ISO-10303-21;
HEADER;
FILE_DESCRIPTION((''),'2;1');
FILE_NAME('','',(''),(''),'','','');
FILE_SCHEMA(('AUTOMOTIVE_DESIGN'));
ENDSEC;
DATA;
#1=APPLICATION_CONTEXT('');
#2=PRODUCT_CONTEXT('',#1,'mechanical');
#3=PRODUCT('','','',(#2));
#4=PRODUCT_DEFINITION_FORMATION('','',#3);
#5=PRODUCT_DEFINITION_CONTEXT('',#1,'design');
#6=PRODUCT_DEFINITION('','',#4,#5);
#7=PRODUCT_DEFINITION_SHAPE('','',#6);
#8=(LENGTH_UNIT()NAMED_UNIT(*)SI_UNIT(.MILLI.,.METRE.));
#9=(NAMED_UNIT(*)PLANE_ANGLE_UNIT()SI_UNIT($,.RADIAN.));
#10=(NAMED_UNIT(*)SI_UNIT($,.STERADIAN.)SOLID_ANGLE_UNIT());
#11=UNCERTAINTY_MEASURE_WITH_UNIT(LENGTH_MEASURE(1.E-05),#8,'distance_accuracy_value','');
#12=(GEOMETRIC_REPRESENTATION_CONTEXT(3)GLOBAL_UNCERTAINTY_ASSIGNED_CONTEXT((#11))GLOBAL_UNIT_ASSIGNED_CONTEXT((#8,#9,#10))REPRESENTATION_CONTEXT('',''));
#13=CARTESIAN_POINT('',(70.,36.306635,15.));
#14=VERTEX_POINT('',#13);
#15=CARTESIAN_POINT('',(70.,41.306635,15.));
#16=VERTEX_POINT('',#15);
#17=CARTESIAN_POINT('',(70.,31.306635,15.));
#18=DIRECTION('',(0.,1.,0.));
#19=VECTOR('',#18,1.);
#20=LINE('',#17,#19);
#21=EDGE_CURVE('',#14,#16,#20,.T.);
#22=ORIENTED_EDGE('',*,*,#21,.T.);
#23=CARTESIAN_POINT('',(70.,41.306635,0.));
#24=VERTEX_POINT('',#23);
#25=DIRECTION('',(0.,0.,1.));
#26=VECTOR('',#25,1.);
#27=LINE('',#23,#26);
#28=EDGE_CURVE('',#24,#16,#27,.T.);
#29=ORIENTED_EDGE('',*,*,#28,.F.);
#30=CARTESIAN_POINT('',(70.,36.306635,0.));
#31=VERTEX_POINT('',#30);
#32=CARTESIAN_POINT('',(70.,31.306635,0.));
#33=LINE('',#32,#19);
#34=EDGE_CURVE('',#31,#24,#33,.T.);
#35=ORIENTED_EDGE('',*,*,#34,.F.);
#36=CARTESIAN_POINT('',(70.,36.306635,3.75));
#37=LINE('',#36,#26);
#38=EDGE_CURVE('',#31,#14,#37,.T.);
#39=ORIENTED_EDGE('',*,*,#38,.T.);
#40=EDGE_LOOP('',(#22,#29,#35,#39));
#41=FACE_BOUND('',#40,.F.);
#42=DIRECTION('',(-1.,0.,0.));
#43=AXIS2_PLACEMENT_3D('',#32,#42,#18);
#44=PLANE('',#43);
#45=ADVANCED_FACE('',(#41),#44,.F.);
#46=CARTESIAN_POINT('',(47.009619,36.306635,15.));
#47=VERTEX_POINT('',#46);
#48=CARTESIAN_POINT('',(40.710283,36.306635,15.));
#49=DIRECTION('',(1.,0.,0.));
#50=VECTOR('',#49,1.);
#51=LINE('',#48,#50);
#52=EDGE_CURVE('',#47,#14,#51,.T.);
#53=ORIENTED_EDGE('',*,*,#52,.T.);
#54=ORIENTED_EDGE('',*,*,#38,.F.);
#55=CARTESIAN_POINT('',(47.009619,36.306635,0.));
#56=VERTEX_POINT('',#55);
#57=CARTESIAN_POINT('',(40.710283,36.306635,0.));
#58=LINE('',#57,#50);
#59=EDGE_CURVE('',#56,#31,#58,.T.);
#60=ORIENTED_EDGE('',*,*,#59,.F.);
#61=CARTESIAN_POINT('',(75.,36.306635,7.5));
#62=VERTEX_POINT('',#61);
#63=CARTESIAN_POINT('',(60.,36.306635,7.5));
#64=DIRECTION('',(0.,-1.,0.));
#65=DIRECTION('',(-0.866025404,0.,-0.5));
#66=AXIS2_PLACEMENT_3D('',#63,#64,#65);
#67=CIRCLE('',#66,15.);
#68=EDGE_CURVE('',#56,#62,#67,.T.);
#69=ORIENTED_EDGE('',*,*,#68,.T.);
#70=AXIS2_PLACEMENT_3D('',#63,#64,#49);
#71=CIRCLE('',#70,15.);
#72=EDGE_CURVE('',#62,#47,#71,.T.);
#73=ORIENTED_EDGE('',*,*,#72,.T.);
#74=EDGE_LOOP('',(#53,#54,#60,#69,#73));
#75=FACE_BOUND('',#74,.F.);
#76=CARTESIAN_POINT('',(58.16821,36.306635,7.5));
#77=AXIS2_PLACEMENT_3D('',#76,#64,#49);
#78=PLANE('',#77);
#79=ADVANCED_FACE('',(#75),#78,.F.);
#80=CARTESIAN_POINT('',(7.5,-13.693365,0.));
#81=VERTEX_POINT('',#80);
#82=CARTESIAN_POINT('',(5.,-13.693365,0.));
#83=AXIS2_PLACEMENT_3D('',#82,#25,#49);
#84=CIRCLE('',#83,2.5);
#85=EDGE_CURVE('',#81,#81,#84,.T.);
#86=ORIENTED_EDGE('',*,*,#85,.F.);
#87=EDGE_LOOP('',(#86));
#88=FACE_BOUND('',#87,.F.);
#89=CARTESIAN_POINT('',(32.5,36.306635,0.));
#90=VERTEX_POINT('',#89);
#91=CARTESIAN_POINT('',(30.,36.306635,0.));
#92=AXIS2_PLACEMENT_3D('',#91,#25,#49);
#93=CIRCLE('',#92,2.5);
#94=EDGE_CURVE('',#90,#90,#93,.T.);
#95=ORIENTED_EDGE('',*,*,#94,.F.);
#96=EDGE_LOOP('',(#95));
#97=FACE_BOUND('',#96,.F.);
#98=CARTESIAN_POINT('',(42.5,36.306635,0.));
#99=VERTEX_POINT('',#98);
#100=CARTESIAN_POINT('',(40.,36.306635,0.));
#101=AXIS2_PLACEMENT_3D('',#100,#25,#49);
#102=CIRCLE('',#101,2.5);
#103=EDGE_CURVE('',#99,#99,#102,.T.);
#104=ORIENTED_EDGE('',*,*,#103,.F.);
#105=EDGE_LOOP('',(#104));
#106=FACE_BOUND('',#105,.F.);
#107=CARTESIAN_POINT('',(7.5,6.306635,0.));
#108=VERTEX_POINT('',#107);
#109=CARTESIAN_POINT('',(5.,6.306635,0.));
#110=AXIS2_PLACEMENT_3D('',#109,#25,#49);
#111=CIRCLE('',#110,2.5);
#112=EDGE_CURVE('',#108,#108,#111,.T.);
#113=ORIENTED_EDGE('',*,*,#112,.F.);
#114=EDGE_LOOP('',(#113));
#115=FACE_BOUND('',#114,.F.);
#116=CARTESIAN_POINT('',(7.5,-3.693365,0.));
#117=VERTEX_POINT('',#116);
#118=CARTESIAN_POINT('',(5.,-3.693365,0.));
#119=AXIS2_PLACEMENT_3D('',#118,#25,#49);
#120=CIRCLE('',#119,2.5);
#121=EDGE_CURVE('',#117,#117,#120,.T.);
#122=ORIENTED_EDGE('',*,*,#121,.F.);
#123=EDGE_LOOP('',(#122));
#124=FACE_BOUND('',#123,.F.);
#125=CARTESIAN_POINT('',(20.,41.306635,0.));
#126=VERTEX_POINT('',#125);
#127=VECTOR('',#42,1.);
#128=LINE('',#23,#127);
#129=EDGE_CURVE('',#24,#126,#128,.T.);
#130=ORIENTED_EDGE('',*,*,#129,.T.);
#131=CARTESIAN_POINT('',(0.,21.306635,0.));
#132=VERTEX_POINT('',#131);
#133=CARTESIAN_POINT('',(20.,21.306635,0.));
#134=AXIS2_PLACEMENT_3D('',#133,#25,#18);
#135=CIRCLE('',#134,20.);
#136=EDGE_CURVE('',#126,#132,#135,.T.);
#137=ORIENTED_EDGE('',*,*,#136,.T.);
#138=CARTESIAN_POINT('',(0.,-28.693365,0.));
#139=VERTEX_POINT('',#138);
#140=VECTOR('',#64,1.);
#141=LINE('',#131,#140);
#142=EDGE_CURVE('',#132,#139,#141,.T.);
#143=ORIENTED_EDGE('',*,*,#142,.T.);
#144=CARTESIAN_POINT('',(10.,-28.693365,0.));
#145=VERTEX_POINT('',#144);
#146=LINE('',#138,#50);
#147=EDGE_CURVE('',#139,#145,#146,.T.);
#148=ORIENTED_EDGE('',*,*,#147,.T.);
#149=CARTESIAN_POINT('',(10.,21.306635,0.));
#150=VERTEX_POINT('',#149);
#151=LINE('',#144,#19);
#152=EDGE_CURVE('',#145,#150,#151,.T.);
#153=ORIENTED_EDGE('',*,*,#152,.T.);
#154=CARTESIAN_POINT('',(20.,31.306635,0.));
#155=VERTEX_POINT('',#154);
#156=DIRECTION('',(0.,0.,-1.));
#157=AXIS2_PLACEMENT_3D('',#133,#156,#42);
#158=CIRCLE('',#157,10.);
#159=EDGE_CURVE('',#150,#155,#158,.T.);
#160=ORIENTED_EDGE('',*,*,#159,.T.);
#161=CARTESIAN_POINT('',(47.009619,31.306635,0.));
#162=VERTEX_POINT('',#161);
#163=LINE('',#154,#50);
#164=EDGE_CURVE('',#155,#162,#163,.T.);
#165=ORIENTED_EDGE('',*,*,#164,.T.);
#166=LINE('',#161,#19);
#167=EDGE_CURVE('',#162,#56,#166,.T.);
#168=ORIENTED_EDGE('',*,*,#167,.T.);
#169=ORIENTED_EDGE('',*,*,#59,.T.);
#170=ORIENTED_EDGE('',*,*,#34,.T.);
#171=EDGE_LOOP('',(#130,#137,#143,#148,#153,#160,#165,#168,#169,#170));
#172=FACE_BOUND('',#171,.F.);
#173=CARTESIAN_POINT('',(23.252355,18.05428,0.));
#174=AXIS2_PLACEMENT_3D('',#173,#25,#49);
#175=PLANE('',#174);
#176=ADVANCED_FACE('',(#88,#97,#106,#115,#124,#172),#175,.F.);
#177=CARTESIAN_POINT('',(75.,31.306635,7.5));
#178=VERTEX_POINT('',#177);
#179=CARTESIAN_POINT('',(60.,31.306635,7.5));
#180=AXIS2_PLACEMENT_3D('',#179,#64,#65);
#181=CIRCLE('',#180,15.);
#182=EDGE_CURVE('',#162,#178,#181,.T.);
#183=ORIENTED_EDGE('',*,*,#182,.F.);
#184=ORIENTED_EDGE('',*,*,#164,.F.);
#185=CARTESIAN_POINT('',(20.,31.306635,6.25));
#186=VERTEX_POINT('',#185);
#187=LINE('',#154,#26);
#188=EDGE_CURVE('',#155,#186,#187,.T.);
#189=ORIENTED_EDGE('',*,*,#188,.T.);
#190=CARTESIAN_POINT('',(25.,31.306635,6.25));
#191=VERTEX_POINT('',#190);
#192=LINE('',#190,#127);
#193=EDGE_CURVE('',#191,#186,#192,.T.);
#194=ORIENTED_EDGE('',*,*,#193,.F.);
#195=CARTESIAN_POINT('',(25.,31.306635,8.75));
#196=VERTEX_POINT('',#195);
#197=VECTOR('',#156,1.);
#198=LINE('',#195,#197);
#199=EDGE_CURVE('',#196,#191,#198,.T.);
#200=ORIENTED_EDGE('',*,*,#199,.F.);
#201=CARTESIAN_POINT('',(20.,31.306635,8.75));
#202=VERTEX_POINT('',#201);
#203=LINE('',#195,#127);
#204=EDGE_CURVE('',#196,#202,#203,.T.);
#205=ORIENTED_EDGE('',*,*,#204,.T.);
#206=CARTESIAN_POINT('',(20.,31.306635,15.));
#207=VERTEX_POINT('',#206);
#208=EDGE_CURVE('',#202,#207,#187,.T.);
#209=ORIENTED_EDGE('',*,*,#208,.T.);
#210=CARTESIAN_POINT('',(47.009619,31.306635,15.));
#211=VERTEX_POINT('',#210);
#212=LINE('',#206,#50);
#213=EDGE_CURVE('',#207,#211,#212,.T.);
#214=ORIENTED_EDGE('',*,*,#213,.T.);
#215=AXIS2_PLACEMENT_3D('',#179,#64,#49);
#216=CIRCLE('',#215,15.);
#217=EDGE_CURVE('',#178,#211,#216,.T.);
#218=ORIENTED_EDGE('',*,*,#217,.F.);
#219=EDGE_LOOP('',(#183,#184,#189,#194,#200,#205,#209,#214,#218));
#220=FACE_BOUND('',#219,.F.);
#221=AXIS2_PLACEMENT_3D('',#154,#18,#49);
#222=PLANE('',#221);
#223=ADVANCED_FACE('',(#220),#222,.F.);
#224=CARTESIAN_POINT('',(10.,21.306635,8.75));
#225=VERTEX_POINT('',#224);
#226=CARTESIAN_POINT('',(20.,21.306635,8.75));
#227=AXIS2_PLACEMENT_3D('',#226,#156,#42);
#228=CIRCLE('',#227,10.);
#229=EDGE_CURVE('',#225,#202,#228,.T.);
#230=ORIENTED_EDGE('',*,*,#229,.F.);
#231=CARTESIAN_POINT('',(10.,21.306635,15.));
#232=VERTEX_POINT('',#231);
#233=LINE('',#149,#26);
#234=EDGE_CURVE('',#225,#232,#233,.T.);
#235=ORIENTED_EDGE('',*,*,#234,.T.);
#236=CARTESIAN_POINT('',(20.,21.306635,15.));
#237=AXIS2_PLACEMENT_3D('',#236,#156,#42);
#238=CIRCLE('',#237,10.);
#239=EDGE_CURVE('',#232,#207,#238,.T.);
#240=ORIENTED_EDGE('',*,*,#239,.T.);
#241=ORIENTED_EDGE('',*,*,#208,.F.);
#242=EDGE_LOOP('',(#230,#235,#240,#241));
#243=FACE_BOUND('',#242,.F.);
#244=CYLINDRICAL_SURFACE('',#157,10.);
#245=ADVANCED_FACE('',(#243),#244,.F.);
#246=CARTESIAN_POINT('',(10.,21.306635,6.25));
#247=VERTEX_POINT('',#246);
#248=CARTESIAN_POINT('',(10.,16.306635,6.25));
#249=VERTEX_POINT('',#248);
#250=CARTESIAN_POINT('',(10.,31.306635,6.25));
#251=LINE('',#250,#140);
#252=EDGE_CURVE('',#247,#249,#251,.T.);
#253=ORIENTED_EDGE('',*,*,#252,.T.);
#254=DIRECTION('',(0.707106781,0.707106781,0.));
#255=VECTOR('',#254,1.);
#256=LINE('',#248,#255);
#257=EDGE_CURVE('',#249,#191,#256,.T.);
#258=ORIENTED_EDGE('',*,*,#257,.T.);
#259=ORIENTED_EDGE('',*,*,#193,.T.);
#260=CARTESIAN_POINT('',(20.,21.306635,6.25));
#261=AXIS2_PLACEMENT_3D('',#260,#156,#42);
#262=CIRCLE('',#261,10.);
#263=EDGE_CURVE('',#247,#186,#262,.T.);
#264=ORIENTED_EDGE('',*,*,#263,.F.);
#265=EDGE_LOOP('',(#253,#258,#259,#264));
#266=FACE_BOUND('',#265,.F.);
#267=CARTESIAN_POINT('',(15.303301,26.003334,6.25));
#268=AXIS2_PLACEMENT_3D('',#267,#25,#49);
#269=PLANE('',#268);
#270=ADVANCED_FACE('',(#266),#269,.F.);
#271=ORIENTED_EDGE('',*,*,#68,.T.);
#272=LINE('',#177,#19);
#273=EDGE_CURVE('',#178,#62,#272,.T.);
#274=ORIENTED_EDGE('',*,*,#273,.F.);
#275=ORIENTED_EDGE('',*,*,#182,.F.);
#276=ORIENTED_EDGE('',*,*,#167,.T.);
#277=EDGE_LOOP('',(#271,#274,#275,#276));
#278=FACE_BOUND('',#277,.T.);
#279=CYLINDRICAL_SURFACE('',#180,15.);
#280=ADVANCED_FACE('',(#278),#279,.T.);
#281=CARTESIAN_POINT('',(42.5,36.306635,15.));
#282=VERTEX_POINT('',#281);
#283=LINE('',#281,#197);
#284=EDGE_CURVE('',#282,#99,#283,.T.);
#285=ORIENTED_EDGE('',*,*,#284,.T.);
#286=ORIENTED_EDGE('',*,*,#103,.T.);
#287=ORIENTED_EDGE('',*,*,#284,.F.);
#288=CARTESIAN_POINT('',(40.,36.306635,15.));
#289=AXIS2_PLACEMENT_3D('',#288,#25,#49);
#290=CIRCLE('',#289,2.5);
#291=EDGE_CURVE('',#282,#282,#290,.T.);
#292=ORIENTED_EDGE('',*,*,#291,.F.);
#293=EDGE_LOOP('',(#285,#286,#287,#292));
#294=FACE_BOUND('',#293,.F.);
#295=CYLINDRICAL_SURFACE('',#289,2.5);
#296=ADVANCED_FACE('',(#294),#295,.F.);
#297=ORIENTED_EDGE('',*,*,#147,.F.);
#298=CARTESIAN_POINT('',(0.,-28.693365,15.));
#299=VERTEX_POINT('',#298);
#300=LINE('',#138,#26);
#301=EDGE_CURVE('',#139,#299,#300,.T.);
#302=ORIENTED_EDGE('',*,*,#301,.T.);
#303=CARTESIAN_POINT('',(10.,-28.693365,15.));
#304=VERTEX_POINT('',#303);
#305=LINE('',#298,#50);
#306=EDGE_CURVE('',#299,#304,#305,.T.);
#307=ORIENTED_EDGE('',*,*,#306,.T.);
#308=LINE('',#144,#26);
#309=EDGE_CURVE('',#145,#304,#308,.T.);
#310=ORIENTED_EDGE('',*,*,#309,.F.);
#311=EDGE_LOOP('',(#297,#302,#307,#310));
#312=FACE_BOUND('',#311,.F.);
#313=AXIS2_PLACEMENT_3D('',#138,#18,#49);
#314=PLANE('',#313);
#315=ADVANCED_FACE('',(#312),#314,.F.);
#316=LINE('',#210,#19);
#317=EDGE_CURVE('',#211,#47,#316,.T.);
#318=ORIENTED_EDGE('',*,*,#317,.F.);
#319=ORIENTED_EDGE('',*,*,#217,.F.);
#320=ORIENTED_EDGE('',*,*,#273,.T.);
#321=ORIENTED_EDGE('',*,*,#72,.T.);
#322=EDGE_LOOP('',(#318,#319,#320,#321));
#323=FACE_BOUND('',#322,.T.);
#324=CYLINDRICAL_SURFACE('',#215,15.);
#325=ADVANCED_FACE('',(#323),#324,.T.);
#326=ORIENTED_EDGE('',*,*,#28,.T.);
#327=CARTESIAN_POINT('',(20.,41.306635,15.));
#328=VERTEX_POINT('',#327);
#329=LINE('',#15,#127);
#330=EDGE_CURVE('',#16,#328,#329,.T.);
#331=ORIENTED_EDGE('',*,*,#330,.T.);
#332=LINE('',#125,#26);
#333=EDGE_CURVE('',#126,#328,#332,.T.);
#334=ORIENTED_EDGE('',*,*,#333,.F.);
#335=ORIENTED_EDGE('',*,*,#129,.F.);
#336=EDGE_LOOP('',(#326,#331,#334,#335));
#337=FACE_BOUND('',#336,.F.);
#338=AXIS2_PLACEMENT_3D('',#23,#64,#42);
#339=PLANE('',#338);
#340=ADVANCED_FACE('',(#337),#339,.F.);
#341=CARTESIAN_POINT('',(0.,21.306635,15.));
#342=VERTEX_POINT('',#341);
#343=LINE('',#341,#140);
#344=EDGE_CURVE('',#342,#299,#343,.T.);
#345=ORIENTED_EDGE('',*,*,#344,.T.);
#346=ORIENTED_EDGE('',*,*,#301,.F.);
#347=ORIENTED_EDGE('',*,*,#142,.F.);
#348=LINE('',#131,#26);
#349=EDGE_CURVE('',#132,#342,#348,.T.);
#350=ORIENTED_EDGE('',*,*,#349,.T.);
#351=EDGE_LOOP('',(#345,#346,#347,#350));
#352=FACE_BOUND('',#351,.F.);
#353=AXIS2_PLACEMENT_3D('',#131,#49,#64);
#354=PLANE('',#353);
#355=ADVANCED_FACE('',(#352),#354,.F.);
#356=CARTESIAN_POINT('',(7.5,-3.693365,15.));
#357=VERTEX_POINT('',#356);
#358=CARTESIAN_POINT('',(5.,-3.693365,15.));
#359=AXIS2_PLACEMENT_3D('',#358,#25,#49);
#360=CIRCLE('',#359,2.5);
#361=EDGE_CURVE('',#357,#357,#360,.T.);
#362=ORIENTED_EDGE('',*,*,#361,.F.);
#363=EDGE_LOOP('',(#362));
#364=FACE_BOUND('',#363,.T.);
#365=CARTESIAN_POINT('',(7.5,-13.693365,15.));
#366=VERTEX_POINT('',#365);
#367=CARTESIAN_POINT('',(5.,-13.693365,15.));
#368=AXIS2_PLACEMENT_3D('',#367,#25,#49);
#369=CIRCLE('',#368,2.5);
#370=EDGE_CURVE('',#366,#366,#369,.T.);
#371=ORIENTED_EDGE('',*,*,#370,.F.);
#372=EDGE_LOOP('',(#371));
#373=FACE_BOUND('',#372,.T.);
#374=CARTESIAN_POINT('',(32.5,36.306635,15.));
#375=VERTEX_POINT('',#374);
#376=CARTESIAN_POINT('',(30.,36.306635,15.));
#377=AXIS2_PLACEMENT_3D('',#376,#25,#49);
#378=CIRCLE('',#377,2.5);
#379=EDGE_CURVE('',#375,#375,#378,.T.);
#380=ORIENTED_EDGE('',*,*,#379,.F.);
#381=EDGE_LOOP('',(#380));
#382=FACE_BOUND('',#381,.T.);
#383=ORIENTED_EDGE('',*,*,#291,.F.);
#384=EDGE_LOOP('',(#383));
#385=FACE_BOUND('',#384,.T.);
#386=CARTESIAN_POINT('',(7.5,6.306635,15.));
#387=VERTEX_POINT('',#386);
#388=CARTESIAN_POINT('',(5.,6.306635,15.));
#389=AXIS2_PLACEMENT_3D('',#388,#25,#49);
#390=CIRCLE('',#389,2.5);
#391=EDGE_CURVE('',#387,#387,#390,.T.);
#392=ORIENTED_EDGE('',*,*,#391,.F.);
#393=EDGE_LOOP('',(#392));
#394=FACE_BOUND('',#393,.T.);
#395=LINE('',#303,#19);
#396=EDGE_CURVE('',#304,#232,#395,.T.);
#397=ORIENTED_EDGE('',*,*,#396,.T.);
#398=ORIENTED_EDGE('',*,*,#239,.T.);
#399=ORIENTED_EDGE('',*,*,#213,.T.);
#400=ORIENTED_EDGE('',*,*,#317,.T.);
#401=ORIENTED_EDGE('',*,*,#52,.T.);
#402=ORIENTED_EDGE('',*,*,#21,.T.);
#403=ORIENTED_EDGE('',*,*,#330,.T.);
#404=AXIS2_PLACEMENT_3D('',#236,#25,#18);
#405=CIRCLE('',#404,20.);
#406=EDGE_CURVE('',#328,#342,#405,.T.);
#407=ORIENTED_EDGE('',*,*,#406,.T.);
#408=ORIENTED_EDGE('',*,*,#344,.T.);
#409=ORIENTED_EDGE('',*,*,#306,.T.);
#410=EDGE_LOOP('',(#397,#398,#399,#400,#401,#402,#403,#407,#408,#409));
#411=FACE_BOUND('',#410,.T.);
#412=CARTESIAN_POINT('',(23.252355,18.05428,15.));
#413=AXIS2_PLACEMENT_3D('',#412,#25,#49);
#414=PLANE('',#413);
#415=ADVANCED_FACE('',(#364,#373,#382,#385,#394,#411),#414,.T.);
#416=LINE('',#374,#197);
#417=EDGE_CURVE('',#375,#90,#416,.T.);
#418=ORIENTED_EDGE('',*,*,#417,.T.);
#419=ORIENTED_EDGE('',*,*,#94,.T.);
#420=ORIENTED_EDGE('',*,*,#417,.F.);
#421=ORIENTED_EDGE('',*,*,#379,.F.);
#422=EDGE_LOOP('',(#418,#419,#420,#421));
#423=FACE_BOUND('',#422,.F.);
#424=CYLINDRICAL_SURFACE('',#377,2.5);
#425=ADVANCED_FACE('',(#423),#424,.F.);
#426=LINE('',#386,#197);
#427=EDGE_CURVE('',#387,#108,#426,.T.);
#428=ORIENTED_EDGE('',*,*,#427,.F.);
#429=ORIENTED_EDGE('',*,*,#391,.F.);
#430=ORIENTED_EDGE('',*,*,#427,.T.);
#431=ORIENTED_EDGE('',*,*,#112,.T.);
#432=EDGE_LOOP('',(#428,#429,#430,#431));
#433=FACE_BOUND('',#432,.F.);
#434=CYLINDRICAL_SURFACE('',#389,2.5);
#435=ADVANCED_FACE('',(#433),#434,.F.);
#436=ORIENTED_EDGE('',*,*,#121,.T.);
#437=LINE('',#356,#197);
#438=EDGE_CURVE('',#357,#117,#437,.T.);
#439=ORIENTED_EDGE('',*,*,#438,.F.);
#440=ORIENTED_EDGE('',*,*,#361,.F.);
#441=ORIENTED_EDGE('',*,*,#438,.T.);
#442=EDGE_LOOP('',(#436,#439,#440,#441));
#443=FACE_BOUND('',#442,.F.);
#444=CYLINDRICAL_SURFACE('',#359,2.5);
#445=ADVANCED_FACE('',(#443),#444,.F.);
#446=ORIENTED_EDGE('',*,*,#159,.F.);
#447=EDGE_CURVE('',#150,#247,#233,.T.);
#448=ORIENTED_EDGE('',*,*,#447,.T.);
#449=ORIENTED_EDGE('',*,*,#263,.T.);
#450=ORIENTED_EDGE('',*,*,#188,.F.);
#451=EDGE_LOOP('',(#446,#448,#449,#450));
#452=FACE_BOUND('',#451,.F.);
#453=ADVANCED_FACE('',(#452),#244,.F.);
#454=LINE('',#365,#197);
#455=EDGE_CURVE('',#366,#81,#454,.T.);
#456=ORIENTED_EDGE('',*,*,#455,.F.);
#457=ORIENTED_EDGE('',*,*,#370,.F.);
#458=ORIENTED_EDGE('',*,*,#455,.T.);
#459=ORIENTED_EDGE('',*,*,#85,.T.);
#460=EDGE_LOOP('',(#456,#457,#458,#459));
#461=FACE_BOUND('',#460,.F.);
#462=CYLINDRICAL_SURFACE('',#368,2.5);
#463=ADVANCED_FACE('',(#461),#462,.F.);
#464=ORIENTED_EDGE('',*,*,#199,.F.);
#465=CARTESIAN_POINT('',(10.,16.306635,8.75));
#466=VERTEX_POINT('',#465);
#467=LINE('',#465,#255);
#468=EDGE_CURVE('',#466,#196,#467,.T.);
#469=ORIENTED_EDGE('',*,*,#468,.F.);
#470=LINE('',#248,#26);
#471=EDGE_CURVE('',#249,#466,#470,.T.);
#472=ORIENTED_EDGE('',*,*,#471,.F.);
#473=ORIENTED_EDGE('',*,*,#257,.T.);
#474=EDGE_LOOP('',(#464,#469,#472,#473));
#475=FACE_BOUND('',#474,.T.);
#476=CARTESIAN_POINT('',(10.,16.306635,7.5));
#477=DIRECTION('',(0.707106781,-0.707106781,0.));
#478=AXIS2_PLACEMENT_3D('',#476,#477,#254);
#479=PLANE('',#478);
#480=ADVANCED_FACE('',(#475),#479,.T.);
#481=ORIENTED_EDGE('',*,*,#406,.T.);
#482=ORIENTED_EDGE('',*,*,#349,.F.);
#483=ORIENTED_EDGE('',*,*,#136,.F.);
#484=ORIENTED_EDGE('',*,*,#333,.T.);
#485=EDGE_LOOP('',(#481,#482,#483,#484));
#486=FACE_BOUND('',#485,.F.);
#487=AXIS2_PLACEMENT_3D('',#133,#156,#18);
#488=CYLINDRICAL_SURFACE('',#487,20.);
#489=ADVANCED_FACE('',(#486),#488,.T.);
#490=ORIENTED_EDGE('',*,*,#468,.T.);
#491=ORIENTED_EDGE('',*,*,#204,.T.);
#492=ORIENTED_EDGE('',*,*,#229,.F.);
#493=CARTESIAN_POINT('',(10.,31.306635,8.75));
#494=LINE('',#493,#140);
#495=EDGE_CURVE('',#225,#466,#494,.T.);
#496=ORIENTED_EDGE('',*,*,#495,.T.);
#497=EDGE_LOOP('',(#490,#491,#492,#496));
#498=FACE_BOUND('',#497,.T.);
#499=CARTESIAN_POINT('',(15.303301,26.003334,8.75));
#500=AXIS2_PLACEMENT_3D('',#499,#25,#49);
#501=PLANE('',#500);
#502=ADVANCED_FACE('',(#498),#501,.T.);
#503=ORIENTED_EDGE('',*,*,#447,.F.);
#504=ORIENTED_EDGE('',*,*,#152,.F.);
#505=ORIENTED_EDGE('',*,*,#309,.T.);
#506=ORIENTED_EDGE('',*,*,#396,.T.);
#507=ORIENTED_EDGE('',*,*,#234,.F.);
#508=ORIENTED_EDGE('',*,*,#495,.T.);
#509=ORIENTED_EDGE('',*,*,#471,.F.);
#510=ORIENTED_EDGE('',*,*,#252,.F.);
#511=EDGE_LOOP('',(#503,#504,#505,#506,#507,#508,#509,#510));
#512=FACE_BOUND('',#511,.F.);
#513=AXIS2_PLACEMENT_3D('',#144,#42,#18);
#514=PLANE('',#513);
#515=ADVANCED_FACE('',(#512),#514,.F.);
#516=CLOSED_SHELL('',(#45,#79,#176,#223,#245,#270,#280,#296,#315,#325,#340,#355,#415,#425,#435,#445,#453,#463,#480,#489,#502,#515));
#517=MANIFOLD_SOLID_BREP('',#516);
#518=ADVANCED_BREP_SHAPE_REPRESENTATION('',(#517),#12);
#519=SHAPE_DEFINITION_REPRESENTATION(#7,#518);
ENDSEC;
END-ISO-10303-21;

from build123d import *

# Parameters (mm, degrees)
F1_DEPTH = 15
F4_DEPTH = 1.25
F5_R     = 2.5
F6_DEPTH = 15
F8_DEPTH = 5


with BuildPart() as f1:
    # F0 (on Top) → F1 (new body)
    with BuildSketch(Plane.XY):
        with BuildLine():
            ThreePointArc((20, 41.3066352695), (5.8578643763, 35.4487708933), (0, 21.3066352695))
            Line((0, 21.3066352695), (0, -28.6933647305))
            Line((0, -28.6933647305), (10, -28.6933647305))
            Line((10, -28.6933647305), (10, 21.3066352695))
            ThreePointArc((10, 21.3066352695), (12.9289321881, 28.3777030814), (20, 31.3066352695))
            Line((20, 31.3066352695), (70, 31.3066352695))
            Line((70, 31.3066352695), (70, 41.3066352695))
            Line((70, 41.3066352695), (20, 41.3066352695))
        make_face()
    extrude(amount=F1_DEPTH)

    # F3 (on offset) → F4 (join, symmetric)
    with BuildSketch(Plane.XY.offset(7.5)):
        Polygon((10, 31.3066352695), (10, 16.3066352695), (25, 31.3066352695), align=None)
    extrude(amount=F4_DEPTH, both=True)

    # F5 (on face) → F6 (cut, through all)
    with BuildSketch(Plane.XY.offset(15)):
        with Locations((5, -13.6933647305)):
            Circle(F5_R)
        with Locations((5, -3.6933647305)):
            Circle(F5_R)
        with Locations((5, 6.3066352695)):
            Circle(F5_R)
        with Locations((30, 36.3066352695)):
            Circle(F5_R)
        with Locations((40, 36.3066352695)):
            Circle(F5_R)
    extrude(amount=-F6_DEPTH, mode=Mode.SUBTRACT)

    # F7 (on face) → F8 (join)
    with BuildSketch(Plane.XZ.offset(-31.3066352695)):
        with BuildLine():
            Line((70, 15), (47.0096189432, 15))
            ThreePointArc((47.0096189432, 15), (45, 7.5), (47.0096189432, 0))
            Line((47.0096189432, 0), (70, 0))
            Line((70, 0), (70, 15))
        make_face()
        with BuildLine():
            ThreePointArc((47.0096189432, 0), (63.8822856765, -6.9888873943), (75, 7.5))
            ThreePointArc((75, 7.5), (63.8822856765, 21.9888873943), (47.0096189432, 15))
            Line((47.0096189432, 15), (70, 15))
            Line((70, 15), (70, 0))
            Line((70, 0), (47.0096189432, 0))
        make_face()
    extrude(amount=-F8_DEPTH)


solid = f1.part
